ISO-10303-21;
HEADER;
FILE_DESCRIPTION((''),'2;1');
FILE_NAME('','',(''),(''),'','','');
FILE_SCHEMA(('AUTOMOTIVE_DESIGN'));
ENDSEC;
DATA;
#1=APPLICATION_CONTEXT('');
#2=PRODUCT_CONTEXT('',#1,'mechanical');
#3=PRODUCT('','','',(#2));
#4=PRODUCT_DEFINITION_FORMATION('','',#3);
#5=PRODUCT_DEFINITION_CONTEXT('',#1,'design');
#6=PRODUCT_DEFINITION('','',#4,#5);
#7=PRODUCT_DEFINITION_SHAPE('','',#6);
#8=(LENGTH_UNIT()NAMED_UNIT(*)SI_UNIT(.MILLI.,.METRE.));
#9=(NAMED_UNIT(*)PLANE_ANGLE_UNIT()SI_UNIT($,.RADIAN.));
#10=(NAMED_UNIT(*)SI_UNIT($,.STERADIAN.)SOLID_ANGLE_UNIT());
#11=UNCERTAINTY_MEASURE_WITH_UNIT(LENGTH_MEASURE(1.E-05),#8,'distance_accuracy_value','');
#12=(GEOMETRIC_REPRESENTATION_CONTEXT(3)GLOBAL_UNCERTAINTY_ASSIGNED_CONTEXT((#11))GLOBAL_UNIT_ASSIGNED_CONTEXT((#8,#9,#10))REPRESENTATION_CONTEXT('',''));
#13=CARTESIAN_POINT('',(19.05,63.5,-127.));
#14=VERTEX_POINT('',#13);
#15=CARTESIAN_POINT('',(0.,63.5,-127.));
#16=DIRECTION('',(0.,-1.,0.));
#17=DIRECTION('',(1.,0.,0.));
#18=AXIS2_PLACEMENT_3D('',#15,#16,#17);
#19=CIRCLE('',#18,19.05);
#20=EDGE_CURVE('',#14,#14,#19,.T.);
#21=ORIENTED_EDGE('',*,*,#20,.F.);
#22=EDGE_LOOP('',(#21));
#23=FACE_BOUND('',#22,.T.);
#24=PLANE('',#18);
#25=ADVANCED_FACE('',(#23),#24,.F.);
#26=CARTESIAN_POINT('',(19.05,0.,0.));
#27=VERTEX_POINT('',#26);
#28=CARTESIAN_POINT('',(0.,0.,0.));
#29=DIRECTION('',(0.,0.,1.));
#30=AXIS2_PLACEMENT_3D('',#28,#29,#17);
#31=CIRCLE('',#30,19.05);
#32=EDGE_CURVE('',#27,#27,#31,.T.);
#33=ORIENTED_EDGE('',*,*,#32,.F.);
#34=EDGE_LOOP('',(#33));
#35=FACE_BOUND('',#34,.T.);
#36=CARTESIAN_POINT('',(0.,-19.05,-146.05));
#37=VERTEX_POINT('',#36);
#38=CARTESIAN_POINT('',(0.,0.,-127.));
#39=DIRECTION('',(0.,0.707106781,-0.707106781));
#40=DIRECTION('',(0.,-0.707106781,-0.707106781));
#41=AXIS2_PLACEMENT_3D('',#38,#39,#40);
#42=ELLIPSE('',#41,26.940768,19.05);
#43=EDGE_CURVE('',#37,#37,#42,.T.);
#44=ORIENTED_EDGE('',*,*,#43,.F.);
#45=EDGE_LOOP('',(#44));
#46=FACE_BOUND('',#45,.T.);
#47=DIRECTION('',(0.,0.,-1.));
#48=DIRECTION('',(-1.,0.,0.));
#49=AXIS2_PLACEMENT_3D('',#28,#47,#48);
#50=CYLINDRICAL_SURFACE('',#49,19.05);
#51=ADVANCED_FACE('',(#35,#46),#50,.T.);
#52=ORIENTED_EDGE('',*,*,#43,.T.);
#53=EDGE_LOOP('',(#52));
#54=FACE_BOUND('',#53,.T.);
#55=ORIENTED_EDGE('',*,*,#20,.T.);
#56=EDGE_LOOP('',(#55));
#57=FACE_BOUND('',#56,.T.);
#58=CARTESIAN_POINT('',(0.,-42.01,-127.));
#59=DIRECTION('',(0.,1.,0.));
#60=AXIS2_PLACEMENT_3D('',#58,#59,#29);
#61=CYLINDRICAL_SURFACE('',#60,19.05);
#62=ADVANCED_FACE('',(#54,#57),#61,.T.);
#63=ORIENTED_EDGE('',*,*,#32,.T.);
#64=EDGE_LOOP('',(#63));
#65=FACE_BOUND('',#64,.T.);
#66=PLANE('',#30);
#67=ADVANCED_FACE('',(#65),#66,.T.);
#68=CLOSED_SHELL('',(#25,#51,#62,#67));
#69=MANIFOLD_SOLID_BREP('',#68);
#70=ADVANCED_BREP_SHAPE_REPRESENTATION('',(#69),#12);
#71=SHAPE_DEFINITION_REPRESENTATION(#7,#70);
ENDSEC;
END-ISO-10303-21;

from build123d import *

# Parameters (mm, degrees)
SKETCH1_R = 19.05


with BuildPart() as part:
    # Sweep1: sweep along a path in Sketch2
    with BuildLine(Plane(origin=(0, 0, 0), x_dir=(0, 0, -1), z_dir=(1, 0, 0))) as sweep1_path:
        Line((0, 0), (127, 0))
        Line((127, 0), (127, 63.5))
    # Sketch1 → Sweep1 (sweep)
    with BuildSketch(Plane.XY):
        Circle(SKETCH1_R)
    sweep(path=sweep1_path.line, transition=Transition.RIGHT)


solid = part.part
